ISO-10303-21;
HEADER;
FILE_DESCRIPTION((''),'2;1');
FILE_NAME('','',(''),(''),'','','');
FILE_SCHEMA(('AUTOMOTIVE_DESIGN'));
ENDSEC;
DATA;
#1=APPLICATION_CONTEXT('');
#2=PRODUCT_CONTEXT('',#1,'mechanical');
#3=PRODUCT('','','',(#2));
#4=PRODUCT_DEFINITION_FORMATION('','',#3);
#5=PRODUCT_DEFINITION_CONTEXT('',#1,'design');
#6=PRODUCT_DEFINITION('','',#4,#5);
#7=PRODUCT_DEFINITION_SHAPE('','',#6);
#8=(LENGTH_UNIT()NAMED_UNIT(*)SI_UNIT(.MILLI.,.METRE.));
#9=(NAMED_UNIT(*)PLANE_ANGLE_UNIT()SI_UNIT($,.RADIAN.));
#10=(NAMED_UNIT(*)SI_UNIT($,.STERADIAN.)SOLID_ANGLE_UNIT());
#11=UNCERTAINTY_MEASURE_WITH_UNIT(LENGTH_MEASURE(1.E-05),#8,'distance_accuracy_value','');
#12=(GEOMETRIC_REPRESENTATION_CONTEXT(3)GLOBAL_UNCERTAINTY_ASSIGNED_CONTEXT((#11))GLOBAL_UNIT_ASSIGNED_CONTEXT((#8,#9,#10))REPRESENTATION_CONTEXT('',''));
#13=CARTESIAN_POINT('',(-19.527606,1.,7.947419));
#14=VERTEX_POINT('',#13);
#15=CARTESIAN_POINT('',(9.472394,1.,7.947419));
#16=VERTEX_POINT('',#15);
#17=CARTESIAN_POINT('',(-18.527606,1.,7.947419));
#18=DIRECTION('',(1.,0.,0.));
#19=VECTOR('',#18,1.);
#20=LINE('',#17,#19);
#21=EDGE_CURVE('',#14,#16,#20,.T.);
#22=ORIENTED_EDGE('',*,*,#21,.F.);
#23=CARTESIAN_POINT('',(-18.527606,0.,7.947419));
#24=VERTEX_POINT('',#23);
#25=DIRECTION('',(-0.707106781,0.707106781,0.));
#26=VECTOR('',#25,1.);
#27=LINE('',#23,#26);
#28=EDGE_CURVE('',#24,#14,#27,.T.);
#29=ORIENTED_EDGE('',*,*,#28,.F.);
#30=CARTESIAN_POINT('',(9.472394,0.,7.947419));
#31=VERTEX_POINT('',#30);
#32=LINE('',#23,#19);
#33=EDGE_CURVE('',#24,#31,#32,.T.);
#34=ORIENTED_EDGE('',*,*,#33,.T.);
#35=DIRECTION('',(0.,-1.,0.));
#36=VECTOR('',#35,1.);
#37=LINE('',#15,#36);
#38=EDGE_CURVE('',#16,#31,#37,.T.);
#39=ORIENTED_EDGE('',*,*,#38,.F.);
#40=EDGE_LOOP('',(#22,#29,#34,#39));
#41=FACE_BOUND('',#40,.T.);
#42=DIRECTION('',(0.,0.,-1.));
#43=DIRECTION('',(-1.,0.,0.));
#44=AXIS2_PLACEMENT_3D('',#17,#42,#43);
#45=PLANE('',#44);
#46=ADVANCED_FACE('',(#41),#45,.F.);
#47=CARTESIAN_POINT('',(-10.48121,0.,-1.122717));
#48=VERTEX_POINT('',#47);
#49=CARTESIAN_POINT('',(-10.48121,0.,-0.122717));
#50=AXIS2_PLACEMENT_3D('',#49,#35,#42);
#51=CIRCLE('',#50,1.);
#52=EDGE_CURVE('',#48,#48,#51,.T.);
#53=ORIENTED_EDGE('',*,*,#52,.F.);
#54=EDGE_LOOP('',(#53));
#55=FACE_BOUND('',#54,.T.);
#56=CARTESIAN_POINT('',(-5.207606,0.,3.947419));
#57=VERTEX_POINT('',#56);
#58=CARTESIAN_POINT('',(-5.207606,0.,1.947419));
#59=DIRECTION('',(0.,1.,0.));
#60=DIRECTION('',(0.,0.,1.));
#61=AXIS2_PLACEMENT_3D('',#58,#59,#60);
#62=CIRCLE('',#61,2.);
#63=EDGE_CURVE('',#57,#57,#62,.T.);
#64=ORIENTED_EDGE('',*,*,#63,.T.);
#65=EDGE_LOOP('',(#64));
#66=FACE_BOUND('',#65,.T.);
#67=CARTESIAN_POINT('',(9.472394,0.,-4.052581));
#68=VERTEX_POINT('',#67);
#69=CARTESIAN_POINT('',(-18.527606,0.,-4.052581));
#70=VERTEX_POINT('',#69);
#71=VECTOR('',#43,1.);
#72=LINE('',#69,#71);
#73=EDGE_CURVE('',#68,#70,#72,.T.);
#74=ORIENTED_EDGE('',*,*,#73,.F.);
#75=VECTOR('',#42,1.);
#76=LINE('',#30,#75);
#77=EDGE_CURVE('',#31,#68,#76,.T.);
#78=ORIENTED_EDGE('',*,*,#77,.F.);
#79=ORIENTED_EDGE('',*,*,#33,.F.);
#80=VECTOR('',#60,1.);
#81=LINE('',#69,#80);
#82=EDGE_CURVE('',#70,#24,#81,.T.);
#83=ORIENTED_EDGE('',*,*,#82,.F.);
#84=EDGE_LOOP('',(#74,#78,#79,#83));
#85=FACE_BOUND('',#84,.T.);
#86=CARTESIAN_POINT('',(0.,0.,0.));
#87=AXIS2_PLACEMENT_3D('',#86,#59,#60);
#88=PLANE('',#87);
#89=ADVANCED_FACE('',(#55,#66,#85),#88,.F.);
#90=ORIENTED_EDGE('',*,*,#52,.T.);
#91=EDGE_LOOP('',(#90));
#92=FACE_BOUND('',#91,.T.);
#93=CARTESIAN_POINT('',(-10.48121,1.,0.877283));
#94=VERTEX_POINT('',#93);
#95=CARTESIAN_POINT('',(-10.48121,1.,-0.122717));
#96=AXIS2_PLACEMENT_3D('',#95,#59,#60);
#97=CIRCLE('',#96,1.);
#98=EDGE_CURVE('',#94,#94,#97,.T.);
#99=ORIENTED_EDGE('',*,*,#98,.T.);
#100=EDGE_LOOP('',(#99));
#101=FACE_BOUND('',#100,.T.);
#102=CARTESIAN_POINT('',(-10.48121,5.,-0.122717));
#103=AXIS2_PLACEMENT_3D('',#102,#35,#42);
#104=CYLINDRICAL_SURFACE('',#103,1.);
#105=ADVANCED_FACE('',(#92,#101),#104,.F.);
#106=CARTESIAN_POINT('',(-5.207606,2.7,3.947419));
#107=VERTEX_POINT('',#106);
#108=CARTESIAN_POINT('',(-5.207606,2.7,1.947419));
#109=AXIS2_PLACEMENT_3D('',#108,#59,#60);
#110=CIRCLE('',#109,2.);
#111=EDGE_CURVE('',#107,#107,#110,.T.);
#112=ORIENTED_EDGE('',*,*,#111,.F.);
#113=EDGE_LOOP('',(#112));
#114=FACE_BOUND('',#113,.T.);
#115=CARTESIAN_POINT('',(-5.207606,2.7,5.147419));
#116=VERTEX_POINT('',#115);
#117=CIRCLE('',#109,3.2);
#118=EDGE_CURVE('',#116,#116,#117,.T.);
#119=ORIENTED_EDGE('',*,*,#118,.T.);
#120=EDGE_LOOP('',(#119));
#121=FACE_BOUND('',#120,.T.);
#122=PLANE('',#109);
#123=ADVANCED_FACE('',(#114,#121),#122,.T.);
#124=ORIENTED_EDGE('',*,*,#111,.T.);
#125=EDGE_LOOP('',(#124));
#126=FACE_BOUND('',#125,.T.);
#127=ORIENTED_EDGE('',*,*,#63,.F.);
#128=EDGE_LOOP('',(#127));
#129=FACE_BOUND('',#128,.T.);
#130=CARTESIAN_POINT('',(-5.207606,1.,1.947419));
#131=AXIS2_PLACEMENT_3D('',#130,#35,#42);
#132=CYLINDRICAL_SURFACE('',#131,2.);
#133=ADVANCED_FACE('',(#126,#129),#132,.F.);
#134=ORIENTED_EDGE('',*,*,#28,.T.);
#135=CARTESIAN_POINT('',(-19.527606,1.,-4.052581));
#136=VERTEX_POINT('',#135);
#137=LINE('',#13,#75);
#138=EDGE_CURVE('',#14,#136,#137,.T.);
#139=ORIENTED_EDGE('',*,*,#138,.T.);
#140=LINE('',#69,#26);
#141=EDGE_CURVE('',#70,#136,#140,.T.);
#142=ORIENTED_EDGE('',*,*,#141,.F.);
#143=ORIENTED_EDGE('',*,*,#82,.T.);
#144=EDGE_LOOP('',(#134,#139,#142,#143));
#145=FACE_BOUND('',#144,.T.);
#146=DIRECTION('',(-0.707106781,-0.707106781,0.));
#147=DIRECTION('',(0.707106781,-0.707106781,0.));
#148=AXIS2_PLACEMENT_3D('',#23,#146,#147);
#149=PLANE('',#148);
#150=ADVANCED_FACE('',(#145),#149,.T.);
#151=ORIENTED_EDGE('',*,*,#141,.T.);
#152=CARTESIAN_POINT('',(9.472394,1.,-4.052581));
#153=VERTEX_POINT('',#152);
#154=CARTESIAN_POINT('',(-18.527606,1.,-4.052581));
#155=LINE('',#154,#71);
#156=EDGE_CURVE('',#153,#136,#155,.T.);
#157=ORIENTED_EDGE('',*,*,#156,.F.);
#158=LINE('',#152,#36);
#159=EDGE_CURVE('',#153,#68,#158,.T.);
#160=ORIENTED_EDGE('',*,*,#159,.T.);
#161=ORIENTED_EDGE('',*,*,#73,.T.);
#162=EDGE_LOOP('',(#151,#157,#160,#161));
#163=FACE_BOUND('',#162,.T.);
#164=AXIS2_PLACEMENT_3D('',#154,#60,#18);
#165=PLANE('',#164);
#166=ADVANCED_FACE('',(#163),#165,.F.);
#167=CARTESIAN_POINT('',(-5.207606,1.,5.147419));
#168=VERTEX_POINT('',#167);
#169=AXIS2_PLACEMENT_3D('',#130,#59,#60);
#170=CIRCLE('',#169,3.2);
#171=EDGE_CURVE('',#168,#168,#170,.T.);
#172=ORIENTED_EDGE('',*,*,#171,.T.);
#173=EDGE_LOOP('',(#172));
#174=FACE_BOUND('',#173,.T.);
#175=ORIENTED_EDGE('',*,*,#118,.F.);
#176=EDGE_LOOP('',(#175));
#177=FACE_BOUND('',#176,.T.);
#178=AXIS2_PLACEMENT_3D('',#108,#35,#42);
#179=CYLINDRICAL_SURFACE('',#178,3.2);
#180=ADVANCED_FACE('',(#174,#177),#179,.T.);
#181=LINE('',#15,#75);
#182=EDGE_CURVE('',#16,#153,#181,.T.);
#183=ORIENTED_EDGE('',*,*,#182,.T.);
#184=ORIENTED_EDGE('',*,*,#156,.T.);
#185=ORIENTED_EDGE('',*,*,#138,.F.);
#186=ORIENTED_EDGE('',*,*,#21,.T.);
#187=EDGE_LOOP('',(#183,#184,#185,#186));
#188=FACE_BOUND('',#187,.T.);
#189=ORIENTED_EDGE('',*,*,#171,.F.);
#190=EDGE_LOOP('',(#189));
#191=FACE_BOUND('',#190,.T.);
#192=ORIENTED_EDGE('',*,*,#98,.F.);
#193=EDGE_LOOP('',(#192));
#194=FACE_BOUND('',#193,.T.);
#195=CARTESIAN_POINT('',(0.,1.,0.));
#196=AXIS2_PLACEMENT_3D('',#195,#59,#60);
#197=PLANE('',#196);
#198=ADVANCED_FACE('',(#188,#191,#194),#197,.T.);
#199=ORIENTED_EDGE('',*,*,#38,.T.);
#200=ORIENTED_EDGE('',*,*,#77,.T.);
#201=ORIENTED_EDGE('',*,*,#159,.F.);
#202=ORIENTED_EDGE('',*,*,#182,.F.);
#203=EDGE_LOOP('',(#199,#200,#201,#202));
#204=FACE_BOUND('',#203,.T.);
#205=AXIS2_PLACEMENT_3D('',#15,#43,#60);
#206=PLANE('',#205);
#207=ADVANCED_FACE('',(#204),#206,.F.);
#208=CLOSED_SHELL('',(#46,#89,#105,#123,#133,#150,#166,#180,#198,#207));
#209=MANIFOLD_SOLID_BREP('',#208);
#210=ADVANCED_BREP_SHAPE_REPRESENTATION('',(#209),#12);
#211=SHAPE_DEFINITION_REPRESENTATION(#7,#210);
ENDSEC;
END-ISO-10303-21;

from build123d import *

# Parameters (mm, degrees)
SKETCH_2_W          = 30
SKETCH_2_H          = 12
SKETCH_2_R          = 2
EXTRUDE_1_DEPTH     = 1
SKETCH_3_R          = 3.2
SKETCH_3_R_2        = 2
EXTRUDE_2_DEPTH     = 1.7
SKETCH_4_R          = 1
CUT_EXTRUDE_1_DEPTH = 5
EXTRUDE_3_DEPTH     = 12
SKETCH_6_W          = 2
SKETCH_6_H          = 12
CUT_EXTRUDE_2_DEPTH = 1


with BuildPart() as part:
    # 草图2 → 凸台-拉伸1 (new body)
    with BuildSketch(Plane(origin=(0, 0, 0), x_dir=(1, 0, 0), z_dir=(0, 1, 0))):
        with Locations((-3.527606217, -1.94741871)):
            Rectangle(SKETCH_2_W, SKETCH_2_H)
        with Locations(Location((-5.207606217, -1.94741871, 0), (0, 0, 270))):
            Circle(SKETCH_2_R, mode=Mode.SUBTRACT)
    extrude(amount=EXTRUDE_1_DEPTH)

    # 草图3 → 凸台-拉伸2 (add)
    with BuildSketch(Plane(origin=(0, 1, 0), x_dir=(1, 0, 0), z_dir=(0, 1, 0))):
        with Locations(Location((-5.207606217, -1.94741871, 0), (0, 0, 270))):
            Circle(SKETCH_3_R)
        with Locations(Location((-5.207606217, -1.94741871, 0), (0, 0, 270))):
            Circle(SKETCH_3_R_2, mode=Mode.SUBTRACT)
    extrude(amount=EXTRUDE_2_DEPTH)

    # 草图4 → 切除-拉伸1 (cut)
    with BuildSketch(Plane.XZ):
        with Locations(Location((-10.481209657, -0.12271673, 0), (0, 0, 270))):
            Circle(SKETCH_4_R)
    extrude(amount=-CUT_EXTRUDE_1_DEPTH, mode=Mode.SUBTRACT)

    # 草图5 → 凸台-拉伸3 (add)
    with BuildSketch(Plane(origin=(0, 0, -4.05258129), x_dir=(-1, 0, 0), z_dir=(0, 0, -1))):
        Polygon((18.527606217, 1), (18.527606217, 0), (19.527606217, 1), align=None)
    extrude(amount=-EXTRUDE_3_DEPTH)

    # 草图6 → 切除-拉伸2 (cut)
    with BuildSketch(Plane.XZ):
        with Locations((10.472393783, 1.94741871)):
            Rectangle(SKETCH_6_W, SKETCH_6_H)
    extrude(amount=-CUT_EXTRUDE_2_DEPTH, mode=Mode.SUBTRACT)


solid = part.part
